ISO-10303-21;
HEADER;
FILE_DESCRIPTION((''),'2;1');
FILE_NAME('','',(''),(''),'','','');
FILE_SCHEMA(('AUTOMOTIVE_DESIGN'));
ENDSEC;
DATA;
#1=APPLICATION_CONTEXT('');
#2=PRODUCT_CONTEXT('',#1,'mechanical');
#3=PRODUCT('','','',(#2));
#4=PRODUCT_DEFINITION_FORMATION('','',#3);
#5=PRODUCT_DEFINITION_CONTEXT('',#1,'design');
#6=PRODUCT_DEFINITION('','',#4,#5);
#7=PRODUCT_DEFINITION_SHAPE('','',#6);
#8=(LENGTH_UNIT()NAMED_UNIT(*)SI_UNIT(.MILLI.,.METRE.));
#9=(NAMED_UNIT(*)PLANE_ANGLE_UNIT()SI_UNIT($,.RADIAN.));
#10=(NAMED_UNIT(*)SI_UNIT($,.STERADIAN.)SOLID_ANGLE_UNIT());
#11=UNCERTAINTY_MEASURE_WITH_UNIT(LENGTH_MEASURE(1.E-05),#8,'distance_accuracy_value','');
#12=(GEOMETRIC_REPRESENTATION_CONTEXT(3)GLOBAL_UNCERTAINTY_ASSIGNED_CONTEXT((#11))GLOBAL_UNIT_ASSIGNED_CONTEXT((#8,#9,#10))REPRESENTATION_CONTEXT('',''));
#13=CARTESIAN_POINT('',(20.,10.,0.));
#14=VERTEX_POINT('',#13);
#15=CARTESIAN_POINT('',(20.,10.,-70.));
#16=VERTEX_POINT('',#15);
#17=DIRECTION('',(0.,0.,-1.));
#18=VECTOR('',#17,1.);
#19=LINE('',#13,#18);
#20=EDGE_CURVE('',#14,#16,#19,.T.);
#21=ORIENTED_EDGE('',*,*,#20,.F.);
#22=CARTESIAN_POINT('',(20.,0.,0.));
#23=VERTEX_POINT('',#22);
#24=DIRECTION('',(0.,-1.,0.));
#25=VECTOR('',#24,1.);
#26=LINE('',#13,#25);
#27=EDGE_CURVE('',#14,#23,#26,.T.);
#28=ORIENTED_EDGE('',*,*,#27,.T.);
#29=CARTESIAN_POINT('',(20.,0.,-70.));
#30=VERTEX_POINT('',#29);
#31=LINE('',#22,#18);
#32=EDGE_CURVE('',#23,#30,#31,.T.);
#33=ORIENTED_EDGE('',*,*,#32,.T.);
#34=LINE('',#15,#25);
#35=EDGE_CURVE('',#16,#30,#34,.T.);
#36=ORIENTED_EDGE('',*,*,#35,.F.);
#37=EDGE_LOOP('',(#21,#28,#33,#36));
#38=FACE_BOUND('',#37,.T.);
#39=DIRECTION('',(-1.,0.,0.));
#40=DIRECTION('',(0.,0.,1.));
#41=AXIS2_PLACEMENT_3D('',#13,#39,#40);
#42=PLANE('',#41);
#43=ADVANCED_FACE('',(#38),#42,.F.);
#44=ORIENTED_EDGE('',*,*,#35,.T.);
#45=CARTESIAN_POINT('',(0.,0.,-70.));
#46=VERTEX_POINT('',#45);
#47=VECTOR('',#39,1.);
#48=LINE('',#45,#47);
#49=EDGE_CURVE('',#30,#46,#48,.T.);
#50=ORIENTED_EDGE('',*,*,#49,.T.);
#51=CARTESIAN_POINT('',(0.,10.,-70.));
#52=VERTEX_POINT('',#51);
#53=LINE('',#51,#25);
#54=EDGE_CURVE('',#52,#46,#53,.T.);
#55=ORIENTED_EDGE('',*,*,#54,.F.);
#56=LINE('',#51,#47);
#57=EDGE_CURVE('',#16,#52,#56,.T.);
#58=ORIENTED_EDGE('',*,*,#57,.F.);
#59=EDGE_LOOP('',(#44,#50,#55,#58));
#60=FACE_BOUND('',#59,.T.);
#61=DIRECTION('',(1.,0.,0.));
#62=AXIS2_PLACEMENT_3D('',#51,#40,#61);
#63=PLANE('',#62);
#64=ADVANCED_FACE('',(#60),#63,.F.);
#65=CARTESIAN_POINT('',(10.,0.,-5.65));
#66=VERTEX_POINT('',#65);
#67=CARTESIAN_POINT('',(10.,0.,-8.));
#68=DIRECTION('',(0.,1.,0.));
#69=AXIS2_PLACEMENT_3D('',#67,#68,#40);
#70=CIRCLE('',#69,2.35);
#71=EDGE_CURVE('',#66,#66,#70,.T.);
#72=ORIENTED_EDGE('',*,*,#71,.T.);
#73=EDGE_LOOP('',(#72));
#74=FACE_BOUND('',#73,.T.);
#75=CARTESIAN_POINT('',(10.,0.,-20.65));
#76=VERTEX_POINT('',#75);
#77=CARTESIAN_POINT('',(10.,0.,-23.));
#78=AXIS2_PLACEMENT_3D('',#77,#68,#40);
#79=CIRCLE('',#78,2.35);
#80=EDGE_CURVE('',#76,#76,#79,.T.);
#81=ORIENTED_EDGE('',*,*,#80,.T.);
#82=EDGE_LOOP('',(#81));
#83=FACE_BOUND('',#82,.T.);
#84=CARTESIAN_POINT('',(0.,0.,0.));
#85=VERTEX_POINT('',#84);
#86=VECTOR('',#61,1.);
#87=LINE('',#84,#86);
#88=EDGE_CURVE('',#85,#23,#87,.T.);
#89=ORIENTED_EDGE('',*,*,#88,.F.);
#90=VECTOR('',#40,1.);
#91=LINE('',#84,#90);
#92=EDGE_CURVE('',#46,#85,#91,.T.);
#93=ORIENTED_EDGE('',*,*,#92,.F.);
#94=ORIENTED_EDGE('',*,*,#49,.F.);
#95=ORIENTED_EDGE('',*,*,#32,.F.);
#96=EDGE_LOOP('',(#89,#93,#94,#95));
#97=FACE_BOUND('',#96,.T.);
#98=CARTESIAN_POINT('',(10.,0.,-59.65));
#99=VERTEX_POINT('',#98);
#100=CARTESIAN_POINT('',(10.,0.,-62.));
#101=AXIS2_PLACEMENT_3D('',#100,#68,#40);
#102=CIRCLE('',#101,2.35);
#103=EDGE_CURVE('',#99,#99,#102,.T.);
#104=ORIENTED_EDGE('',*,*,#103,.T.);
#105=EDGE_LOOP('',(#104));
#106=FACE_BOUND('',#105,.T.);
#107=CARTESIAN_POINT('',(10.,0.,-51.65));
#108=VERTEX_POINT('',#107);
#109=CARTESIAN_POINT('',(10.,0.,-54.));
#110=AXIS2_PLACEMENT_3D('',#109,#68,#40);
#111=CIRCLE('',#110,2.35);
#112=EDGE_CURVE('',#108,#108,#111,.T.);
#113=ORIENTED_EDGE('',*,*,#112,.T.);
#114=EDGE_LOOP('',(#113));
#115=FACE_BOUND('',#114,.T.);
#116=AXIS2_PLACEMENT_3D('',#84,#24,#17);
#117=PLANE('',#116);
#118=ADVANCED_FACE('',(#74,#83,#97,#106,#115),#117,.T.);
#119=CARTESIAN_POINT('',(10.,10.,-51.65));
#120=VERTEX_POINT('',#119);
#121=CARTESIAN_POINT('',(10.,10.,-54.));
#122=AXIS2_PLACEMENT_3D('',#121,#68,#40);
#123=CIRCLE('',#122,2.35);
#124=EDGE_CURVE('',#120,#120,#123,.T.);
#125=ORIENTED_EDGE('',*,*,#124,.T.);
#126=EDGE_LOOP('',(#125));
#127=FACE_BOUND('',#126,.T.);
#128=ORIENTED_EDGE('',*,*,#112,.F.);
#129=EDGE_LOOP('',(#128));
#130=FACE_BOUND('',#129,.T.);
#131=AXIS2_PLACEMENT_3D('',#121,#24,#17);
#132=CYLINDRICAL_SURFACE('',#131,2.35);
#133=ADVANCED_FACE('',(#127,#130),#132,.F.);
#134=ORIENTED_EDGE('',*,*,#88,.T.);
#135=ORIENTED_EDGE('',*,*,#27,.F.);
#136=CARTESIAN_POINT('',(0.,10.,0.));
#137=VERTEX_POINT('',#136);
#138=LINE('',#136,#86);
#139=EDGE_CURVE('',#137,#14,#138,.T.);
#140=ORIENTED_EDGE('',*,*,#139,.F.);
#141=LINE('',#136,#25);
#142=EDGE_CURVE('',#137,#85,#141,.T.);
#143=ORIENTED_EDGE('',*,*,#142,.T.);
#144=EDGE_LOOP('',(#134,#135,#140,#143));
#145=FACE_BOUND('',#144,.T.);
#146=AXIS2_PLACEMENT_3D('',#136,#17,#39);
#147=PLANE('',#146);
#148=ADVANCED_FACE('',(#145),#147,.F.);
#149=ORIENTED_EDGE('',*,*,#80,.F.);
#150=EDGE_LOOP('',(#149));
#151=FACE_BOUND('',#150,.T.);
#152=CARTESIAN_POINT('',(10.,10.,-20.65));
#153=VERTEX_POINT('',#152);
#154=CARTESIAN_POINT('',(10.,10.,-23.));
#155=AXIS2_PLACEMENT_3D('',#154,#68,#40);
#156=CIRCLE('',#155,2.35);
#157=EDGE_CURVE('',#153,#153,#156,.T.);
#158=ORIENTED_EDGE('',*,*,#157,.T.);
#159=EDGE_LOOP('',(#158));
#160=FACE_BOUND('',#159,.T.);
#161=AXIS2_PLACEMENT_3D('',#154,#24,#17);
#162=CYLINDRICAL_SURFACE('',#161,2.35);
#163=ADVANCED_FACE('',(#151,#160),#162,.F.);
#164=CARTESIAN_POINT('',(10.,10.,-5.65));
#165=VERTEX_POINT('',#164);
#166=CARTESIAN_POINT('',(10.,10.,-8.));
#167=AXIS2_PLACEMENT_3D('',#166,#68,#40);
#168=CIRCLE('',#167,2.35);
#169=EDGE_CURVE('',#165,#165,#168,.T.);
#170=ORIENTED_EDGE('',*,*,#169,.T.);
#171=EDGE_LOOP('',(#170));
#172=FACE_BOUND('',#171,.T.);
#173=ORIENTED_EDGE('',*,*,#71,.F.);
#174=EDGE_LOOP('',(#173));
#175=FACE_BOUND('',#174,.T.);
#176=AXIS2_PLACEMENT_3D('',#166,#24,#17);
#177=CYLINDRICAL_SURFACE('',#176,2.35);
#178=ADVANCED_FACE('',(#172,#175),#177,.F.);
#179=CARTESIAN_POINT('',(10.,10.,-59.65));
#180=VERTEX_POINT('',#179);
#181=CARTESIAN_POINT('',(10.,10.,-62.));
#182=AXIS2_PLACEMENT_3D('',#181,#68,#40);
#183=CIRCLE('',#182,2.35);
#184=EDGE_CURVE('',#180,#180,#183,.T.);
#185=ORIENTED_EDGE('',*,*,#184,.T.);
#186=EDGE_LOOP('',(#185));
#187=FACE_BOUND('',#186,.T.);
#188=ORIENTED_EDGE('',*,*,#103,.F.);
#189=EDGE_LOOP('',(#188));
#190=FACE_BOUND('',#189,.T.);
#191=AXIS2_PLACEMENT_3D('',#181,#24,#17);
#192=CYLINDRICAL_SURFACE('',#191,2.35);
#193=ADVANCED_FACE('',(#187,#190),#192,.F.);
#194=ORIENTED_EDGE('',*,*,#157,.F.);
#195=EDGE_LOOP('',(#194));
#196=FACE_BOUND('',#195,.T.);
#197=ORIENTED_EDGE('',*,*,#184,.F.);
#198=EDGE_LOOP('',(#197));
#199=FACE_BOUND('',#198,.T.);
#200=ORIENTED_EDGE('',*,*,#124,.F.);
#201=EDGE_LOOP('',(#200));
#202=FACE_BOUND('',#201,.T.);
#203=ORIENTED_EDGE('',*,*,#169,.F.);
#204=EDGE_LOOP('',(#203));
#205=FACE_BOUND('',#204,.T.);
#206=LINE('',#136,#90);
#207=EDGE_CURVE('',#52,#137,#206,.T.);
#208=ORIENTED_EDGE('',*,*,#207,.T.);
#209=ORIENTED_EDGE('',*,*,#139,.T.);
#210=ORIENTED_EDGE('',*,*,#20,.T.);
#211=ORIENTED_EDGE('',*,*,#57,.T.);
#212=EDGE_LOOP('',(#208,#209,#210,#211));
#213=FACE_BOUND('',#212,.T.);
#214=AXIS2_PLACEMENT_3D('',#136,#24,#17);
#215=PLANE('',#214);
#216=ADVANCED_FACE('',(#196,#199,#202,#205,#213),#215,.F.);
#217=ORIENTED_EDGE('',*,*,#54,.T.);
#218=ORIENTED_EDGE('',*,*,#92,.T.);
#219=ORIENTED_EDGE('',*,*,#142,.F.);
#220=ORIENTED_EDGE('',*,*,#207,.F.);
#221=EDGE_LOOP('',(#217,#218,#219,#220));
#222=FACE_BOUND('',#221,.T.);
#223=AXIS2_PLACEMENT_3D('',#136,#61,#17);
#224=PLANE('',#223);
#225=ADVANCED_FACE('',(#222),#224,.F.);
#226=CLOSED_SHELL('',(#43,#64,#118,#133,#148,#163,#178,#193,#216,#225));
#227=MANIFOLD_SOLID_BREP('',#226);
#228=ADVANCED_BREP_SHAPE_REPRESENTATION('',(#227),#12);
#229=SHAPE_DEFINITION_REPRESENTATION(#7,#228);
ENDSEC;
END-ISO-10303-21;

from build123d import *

# Parameters (mm, degrees)
SKETCH1_W           = 20
SKETCH1_H           = 70
SKETCH1_R           = 2.35
BOSS_EXTRUDE1_DEPTH = 10


with BuildPart() as part:
    # Sketch1 → Boss-Extrude1 (new body)
    with BuildSketch(Plane(origin=(0, 0, 0), x_dir=(1, 0, 0), z_dir=(0, 1, 0))):
        with Locations((10, 35)):
            Rectangle(SKETCH1_W, SKETCH1_H)
        with Locations(Location((10, 62, 0), (0, 0, 270))):
            Circle(SKETCH1_R, mode=Mode.SUBTRACT)
        with Locations(Location((10, 54, 0), (0, 0, 270))):
            Circle(SKETCH1_R, mode=Mode.SUBTRACT)
        with Locations(Location((10, 23, 0), (0, 0, 270))):
            Circle(SKETCH1_R, mode=Mode.SUBTRACT)
        with Locations(Location((10, 8, 0), (0, 0, 270))):
            Circle(SKETCH1_R, mode=Mode.SUBTRACT)
    extrude(amount=BOSS_EXTRUDE1_DEPTH)


solid = part.part
